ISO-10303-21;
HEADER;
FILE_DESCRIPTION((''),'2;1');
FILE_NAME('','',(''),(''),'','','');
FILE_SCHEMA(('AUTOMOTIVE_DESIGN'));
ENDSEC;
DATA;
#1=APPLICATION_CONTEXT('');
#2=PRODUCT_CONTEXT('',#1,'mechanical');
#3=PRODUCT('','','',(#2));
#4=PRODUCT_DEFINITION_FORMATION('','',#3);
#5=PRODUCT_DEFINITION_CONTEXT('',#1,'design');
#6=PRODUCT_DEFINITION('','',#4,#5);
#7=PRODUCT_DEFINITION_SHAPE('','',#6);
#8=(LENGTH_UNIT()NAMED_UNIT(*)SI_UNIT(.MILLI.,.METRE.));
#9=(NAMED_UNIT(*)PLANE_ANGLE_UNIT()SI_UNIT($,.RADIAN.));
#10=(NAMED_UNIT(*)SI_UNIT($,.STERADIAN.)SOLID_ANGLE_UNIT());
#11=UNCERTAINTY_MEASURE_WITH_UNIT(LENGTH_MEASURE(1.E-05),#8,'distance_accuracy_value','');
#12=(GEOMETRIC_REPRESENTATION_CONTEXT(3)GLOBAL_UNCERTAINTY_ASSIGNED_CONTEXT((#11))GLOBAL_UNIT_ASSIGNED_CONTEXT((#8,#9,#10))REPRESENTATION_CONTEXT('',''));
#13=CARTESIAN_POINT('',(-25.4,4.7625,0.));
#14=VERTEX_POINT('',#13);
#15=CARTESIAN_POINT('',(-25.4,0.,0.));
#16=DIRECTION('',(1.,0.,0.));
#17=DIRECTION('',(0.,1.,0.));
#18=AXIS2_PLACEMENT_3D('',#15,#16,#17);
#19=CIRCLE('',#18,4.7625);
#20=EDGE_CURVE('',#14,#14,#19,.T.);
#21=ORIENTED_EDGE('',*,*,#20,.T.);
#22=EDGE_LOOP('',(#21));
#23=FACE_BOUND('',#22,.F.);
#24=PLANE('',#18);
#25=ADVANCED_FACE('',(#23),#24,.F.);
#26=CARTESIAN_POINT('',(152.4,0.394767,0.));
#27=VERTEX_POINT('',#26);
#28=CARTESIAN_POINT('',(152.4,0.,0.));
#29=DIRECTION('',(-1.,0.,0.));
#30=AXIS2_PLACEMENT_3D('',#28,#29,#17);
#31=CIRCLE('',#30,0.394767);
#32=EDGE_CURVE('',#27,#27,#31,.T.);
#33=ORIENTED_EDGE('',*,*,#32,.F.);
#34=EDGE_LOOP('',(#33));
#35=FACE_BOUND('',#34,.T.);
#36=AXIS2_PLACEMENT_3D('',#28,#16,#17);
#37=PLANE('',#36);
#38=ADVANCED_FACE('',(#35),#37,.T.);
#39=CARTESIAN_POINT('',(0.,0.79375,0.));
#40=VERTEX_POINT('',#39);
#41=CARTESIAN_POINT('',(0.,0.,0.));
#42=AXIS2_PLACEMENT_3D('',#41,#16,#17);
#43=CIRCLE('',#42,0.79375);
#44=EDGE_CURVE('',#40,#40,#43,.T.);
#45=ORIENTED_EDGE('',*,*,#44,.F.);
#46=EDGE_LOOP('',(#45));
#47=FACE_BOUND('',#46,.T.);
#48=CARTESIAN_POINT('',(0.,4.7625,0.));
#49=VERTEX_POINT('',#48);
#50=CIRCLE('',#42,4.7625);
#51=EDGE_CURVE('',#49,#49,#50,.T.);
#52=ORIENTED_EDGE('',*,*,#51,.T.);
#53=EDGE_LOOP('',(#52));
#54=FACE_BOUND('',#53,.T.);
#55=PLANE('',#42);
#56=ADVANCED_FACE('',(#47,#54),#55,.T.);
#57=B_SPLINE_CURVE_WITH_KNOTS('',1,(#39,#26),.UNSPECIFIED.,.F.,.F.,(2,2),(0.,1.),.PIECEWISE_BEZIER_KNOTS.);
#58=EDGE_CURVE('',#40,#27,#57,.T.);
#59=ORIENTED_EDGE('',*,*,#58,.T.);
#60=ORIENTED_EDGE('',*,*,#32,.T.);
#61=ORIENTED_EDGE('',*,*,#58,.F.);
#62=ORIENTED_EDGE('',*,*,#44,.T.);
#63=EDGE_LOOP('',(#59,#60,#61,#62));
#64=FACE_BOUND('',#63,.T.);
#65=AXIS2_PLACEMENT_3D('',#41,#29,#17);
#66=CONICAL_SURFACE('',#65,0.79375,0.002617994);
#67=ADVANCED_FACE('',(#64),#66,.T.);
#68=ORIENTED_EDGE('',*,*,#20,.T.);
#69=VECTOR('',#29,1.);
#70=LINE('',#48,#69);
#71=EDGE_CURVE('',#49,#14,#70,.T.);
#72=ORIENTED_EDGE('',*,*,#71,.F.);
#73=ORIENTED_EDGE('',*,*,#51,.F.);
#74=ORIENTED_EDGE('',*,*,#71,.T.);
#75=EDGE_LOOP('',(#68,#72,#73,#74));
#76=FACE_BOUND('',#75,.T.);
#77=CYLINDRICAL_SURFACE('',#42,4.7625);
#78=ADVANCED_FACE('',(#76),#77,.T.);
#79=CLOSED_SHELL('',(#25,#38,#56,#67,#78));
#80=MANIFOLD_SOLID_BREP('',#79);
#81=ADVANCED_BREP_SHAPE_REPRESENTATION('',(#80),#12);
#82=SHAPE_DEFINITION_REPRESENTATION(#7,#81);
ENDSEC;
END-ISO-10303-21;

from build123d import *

# Parameters (mm, degrees)
F0_R     = 4.7625
F1_DEPTH = 25.4
F2_R     = 0.79375
F3_DEPTH = 152.4
F3_TAPER = 0.15


with BuildPart() as f1:
    # F0 (on Right) → F1 (new body)
    with BuildSketch(Plane.YZ):
        Circle(F0_R)
    extrude(amount=-F1_DEPTH)

    # F2 (on face) → F3 (join)
    with BuildSketch(Plane.YZ):
        Circle(F2_R)
    extrude(amount=F3_DEPTH, taper=F3_TAPER)


solid = f1.part
